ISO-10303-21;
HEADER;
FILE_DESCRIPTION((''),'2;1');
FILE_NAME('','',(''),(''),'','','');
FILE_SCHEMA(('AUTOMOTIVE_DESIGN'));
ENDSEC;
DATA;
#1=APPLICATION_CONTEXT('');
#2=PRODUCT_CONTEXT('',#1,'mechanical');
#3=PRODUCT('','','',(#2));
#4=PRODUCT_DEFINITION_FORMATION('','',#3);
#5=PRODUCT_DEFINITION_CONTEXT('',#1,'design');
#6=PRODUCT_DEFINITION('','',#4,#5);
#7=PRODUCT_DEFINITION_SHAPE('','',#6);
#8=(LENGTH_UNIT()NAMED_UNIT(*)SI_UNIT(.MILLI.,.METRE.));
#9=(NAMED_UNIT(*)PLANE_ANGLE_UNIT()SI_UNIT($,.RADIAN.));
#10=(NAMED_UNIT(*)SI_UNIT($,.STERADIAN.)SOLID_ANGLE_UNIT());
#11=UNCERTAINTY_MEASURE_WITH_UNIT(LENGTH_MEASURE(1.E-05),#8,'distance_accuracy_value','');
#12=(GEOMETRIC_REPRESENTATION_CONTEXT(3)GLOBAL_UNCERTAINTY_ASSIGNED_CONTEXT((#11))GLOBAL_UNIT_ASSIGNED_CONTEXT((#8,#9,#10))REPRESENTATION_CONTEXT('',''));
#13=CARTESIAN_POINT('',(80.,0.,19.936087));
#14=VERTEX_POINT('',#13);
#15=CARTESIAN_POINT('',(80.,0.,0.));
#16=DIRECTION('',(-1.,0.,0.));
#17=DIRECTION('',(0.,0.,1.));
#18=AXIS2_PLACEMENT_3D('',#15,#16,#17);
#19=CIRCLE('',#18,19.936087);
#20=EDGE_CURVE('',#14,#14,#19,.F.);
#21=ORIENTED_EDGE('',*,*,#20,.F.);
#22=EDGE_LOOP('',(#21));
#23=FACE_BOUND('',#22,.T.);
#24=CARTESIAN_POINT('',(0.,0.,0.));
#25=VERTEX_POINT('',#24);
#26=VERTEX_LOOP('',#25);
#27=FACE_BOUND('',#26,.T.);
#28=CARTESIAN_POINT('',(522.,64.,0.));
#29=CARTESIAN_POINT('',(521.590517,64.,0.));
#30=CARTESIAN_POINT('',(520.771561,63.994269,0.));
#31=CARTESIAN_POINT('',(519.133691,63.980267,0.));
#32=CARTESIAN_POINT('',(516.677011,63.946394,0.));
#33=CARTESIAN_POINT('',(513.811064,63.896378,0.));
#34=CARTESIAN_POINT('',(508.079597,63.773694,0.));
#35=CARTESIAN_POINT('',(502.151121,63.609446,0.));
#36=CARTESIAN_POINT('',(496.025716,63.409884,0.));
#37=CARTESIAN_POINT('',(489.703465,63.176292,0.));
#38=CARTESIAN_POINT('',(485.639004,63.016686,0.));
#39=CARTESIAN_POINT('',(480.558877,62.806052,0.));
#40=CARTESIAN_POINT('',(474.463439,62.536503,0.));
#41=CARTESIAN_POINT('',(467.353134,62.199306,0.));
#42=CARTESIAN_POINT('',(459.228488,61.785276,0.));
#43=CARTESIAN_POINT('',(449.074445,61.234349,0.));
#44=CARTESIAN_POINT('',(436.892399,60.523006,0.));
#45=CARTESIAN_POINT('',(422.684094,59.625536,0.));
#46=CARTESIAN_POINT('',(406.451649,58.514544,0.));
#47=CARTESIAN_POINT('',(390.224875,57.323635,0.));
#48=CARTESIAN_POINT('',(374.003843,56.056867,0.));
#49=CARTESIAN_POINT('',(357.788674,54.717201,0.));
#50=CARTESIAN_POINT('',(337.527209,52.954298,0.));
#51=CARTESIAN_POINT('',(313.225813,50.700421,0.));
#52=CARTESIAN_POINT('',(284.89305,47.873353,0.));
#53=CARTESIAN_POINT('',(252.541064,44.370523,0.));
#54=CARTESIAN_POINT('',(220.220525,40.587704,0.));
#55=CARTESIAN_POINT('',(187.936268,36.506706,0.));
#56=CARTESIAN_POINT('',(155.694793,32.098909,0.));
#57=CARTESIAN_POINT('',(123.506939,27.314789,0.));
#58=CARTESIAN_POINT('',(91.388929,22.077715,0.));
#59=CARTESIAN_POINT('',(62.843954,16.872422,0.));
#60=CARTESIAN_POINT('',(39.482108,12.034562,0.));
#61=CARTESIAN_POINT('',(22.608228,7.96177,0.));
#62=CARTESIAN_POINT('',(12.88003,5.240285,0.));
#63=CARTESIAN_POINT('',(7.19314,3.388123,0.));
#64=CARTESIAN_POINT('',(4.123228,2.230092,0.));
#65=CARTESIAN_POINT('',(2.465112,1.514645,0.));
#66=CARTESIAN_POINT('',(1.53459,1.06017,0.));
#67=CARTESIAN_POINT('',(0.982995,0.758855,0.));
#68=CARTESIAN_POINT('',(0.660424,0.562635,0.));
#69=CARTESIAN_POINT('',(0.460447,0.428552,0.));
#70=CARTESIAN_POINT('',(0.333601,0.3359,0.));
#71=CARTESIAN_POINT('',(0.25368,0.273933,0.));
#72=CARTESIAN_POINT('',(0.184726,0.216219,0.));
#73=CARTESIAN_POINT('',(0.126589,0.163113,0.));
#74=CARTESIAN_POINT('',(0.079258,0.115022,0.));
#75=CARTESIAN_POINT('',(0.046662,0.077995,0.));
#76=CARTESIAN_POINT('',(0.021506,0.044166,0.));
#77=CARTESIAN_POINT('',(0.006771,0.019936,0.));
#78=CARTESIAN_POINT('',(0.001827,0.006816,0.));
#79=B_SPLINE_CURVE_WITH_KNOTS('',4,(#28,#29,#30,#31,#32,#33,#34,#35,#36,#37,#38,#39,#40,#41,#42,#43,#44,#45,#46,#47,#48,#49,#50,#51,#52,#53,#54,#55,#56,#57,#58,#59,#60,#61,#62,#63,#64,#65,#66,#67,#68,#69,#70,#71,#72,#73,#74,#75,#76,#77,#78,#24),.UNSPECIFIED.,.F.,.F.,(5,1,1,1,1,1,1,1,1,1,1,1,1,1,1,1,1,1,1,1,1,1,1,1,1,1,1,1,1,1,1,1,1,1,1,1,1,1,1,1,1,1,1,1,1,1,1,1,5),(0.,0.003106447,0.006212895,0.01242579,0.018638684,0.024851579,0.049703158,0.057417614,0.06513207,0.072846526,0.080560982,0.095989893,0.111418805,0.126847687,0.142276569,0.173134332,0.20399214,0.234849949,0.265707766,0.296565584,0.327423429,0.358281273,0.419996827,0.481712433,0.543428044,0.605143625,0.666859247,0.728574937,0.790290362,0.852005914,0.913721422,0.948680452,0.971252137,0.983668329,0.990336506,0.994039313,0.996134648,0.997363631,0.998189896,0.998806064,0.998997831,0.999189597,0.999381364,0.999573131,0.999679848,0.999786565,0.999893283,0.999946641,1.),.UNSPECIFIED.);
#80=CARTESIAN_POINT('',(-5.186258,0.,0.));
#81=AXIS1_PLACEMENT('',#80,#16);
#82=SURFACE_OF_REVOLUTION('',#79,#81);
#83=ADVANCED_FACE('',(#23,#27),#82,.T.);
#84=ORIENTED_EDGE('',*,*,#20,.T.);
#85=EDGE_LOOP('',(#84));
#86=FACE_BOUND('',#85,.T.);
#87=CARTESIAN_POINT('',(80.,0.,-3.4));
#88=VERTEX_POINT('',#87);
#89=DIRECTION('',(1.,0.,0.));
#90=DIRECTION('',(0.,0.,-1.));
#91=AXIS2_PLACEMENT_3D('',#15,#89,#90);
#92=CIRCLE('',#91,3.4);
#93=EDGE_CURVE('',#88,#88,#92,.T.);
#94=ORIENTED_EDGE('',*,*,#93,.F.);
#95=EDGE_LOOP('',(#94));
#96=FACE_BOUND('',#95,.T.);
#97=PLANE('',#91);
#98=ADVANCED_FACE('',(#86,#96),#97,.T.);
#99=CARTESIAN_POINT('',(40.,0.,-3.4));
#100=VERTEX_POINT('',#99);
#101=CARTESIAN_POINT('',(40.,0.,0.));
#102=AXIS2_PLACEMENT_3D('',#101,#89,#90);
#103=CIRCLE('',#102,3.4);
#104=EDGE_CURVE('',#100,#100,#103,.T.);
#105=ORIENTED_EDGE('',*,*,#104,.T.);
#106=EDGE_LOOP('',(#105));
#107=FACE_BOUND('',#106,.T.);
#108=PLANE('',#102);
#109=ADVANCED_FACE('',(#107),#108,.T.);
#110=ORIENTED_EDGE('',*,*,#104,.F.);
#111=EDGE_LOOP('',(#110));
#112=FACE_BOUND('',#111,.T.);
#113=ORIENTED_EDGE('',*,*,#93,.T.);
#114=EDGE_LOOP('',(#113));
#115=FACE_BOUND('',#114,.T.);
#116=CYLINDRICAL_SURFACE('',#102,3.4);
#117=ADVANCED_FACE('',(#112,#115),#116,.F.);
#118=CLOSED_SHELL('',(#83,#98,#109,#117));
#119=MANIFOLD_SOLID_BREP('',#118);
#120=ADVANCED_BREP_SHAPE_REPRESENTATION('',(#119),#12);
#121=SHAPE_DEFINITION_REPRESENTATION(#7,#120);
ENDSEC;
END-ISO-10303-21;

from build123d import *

# Parameters (mm, degrees)
SKETCH2_R          = 3.4
CUT_EXTRUDE1_DEPTH = 40


with BuildPart() as part:
    # Sketch1 → nosecone (revolve)
    with BuildSketch(Plane.XY):
        with BuildLine():
            Line((522, 64), (522, 0))
            Line((522, 0), (0, 0))
            add(Edge.make_bspline(
                [(0, 0), (0.001826953, 0.006816181), (0.006771486, 0.019936491), (0.021506417, 0.044166263), (0.046661717, 0.077995323), (0.079258284, 0.115021795), (0.126589165, 0.1631126), (0.184725886, 0.216219225), (0.25368033, 0.273933256), (0.3336007, 0.335900322), (0.460446691, 0.428551795), (0.660423817, 0.56263485), (0.982994634, 0.758855246), (1.534590027, 1.060170132), (2.465111939, 1.514644597), (4.12322816, 2.230092141), (7.193139768, 3.388122977), (12.880029643, 5.240285309), (22.608227584, 7.961769734), (39.482108423, 12.034562333), (62.843954379, 16.872422149), (91.388928515, 22.077714797), (123.506939437, 27.314789053), (155.694792914, 32.098908935), (187.936268488, 36.506706047), (220.220524829, 40.587704184), (252.541063501, 44.370523086), (284.893049861, 47.873353173), (313.225812895, 50.70042069), (337.527208669, 52.954297833), (357.78867383, 54.717201133), (374.003843123, 56.056867076), (390.224875338, 57.323634808), (406.451649281, 58.514543694), (422.684094329, 59.625536005), (436.892399391, 60.523006492), (449.074445036, 61.234348916), (459.228488268, 61.785275673), (467.353134193, 62.199305564), (474.463438705, 62.536502787), (480.558876848, 62.806052202), (485.639004312, 63.016686188), (489.703465178, 63.176292335), (496.025715941, 63.409883926), (502.151121166, 63.609445791), (508.079596574, 63.773693753), (513.811063557, 63.896378115), (516.677010914, 63.946393952), (519.133691426, 63.980267001), (520.77156104, 63.994268893), (521.590516942, 64), (522, 64)],
                knots=[0, 0, 0, 0, 0, 5.3359e-05, 0.000106717, 0.000213435, 0.000320152, 0.000426869, 0.000618636, 0.000810403, 0.001002169, 0.001193936, 0.001810104, 0.002636369, 0.003865352, 0.005960687, 0.009663494, 0.016331671, 0.028747863, 0.051319548, 0.086278578, 0.147994086, 0.209709638, 0.271425063, 0.333140753, 0.394856375, 0.456571956, 0.518287567, 0.580003173, 0.641718727, 0.672576571, 0.703434416, 0.734292234, 0.765150051, 0.79600786, 0.826865668, 0.857723431, 0.873152313, 0.888581195, 0.904010107, 0.919439018, 0.927153474, 0.93486793, 0.942582386, 0.950296842, 0.975148421, 0.981361316, 0.98757421, 0.993787105, 0.996893553, 1, 1, 1, 1, 1], degree=4))
        make_face()
    revolve(axis=Axis((-5.186257975, 0, 0), (1, 0, 0)))

    # SurfaceCut1
    split(bisect_by=Plane(origin=(80, 0, 0), x_dir=(0, 0, -1), z_dir=(1, 0, 0)), keep=Keep.BOTTOM)

    # Sketch2 → Cut-Extrude1 (cut)
    with BuildSketch(Plane(origin=(80, 0, 0), x_dir=(0, 0, -1), z_dir=(1, 0, 0))):
        Circle(SKETCH2_R)
    extrude(amount=-CUT_EXTRUDE1_DEPTH, mode=Mode.SUBTRACT)


solid = part.part
